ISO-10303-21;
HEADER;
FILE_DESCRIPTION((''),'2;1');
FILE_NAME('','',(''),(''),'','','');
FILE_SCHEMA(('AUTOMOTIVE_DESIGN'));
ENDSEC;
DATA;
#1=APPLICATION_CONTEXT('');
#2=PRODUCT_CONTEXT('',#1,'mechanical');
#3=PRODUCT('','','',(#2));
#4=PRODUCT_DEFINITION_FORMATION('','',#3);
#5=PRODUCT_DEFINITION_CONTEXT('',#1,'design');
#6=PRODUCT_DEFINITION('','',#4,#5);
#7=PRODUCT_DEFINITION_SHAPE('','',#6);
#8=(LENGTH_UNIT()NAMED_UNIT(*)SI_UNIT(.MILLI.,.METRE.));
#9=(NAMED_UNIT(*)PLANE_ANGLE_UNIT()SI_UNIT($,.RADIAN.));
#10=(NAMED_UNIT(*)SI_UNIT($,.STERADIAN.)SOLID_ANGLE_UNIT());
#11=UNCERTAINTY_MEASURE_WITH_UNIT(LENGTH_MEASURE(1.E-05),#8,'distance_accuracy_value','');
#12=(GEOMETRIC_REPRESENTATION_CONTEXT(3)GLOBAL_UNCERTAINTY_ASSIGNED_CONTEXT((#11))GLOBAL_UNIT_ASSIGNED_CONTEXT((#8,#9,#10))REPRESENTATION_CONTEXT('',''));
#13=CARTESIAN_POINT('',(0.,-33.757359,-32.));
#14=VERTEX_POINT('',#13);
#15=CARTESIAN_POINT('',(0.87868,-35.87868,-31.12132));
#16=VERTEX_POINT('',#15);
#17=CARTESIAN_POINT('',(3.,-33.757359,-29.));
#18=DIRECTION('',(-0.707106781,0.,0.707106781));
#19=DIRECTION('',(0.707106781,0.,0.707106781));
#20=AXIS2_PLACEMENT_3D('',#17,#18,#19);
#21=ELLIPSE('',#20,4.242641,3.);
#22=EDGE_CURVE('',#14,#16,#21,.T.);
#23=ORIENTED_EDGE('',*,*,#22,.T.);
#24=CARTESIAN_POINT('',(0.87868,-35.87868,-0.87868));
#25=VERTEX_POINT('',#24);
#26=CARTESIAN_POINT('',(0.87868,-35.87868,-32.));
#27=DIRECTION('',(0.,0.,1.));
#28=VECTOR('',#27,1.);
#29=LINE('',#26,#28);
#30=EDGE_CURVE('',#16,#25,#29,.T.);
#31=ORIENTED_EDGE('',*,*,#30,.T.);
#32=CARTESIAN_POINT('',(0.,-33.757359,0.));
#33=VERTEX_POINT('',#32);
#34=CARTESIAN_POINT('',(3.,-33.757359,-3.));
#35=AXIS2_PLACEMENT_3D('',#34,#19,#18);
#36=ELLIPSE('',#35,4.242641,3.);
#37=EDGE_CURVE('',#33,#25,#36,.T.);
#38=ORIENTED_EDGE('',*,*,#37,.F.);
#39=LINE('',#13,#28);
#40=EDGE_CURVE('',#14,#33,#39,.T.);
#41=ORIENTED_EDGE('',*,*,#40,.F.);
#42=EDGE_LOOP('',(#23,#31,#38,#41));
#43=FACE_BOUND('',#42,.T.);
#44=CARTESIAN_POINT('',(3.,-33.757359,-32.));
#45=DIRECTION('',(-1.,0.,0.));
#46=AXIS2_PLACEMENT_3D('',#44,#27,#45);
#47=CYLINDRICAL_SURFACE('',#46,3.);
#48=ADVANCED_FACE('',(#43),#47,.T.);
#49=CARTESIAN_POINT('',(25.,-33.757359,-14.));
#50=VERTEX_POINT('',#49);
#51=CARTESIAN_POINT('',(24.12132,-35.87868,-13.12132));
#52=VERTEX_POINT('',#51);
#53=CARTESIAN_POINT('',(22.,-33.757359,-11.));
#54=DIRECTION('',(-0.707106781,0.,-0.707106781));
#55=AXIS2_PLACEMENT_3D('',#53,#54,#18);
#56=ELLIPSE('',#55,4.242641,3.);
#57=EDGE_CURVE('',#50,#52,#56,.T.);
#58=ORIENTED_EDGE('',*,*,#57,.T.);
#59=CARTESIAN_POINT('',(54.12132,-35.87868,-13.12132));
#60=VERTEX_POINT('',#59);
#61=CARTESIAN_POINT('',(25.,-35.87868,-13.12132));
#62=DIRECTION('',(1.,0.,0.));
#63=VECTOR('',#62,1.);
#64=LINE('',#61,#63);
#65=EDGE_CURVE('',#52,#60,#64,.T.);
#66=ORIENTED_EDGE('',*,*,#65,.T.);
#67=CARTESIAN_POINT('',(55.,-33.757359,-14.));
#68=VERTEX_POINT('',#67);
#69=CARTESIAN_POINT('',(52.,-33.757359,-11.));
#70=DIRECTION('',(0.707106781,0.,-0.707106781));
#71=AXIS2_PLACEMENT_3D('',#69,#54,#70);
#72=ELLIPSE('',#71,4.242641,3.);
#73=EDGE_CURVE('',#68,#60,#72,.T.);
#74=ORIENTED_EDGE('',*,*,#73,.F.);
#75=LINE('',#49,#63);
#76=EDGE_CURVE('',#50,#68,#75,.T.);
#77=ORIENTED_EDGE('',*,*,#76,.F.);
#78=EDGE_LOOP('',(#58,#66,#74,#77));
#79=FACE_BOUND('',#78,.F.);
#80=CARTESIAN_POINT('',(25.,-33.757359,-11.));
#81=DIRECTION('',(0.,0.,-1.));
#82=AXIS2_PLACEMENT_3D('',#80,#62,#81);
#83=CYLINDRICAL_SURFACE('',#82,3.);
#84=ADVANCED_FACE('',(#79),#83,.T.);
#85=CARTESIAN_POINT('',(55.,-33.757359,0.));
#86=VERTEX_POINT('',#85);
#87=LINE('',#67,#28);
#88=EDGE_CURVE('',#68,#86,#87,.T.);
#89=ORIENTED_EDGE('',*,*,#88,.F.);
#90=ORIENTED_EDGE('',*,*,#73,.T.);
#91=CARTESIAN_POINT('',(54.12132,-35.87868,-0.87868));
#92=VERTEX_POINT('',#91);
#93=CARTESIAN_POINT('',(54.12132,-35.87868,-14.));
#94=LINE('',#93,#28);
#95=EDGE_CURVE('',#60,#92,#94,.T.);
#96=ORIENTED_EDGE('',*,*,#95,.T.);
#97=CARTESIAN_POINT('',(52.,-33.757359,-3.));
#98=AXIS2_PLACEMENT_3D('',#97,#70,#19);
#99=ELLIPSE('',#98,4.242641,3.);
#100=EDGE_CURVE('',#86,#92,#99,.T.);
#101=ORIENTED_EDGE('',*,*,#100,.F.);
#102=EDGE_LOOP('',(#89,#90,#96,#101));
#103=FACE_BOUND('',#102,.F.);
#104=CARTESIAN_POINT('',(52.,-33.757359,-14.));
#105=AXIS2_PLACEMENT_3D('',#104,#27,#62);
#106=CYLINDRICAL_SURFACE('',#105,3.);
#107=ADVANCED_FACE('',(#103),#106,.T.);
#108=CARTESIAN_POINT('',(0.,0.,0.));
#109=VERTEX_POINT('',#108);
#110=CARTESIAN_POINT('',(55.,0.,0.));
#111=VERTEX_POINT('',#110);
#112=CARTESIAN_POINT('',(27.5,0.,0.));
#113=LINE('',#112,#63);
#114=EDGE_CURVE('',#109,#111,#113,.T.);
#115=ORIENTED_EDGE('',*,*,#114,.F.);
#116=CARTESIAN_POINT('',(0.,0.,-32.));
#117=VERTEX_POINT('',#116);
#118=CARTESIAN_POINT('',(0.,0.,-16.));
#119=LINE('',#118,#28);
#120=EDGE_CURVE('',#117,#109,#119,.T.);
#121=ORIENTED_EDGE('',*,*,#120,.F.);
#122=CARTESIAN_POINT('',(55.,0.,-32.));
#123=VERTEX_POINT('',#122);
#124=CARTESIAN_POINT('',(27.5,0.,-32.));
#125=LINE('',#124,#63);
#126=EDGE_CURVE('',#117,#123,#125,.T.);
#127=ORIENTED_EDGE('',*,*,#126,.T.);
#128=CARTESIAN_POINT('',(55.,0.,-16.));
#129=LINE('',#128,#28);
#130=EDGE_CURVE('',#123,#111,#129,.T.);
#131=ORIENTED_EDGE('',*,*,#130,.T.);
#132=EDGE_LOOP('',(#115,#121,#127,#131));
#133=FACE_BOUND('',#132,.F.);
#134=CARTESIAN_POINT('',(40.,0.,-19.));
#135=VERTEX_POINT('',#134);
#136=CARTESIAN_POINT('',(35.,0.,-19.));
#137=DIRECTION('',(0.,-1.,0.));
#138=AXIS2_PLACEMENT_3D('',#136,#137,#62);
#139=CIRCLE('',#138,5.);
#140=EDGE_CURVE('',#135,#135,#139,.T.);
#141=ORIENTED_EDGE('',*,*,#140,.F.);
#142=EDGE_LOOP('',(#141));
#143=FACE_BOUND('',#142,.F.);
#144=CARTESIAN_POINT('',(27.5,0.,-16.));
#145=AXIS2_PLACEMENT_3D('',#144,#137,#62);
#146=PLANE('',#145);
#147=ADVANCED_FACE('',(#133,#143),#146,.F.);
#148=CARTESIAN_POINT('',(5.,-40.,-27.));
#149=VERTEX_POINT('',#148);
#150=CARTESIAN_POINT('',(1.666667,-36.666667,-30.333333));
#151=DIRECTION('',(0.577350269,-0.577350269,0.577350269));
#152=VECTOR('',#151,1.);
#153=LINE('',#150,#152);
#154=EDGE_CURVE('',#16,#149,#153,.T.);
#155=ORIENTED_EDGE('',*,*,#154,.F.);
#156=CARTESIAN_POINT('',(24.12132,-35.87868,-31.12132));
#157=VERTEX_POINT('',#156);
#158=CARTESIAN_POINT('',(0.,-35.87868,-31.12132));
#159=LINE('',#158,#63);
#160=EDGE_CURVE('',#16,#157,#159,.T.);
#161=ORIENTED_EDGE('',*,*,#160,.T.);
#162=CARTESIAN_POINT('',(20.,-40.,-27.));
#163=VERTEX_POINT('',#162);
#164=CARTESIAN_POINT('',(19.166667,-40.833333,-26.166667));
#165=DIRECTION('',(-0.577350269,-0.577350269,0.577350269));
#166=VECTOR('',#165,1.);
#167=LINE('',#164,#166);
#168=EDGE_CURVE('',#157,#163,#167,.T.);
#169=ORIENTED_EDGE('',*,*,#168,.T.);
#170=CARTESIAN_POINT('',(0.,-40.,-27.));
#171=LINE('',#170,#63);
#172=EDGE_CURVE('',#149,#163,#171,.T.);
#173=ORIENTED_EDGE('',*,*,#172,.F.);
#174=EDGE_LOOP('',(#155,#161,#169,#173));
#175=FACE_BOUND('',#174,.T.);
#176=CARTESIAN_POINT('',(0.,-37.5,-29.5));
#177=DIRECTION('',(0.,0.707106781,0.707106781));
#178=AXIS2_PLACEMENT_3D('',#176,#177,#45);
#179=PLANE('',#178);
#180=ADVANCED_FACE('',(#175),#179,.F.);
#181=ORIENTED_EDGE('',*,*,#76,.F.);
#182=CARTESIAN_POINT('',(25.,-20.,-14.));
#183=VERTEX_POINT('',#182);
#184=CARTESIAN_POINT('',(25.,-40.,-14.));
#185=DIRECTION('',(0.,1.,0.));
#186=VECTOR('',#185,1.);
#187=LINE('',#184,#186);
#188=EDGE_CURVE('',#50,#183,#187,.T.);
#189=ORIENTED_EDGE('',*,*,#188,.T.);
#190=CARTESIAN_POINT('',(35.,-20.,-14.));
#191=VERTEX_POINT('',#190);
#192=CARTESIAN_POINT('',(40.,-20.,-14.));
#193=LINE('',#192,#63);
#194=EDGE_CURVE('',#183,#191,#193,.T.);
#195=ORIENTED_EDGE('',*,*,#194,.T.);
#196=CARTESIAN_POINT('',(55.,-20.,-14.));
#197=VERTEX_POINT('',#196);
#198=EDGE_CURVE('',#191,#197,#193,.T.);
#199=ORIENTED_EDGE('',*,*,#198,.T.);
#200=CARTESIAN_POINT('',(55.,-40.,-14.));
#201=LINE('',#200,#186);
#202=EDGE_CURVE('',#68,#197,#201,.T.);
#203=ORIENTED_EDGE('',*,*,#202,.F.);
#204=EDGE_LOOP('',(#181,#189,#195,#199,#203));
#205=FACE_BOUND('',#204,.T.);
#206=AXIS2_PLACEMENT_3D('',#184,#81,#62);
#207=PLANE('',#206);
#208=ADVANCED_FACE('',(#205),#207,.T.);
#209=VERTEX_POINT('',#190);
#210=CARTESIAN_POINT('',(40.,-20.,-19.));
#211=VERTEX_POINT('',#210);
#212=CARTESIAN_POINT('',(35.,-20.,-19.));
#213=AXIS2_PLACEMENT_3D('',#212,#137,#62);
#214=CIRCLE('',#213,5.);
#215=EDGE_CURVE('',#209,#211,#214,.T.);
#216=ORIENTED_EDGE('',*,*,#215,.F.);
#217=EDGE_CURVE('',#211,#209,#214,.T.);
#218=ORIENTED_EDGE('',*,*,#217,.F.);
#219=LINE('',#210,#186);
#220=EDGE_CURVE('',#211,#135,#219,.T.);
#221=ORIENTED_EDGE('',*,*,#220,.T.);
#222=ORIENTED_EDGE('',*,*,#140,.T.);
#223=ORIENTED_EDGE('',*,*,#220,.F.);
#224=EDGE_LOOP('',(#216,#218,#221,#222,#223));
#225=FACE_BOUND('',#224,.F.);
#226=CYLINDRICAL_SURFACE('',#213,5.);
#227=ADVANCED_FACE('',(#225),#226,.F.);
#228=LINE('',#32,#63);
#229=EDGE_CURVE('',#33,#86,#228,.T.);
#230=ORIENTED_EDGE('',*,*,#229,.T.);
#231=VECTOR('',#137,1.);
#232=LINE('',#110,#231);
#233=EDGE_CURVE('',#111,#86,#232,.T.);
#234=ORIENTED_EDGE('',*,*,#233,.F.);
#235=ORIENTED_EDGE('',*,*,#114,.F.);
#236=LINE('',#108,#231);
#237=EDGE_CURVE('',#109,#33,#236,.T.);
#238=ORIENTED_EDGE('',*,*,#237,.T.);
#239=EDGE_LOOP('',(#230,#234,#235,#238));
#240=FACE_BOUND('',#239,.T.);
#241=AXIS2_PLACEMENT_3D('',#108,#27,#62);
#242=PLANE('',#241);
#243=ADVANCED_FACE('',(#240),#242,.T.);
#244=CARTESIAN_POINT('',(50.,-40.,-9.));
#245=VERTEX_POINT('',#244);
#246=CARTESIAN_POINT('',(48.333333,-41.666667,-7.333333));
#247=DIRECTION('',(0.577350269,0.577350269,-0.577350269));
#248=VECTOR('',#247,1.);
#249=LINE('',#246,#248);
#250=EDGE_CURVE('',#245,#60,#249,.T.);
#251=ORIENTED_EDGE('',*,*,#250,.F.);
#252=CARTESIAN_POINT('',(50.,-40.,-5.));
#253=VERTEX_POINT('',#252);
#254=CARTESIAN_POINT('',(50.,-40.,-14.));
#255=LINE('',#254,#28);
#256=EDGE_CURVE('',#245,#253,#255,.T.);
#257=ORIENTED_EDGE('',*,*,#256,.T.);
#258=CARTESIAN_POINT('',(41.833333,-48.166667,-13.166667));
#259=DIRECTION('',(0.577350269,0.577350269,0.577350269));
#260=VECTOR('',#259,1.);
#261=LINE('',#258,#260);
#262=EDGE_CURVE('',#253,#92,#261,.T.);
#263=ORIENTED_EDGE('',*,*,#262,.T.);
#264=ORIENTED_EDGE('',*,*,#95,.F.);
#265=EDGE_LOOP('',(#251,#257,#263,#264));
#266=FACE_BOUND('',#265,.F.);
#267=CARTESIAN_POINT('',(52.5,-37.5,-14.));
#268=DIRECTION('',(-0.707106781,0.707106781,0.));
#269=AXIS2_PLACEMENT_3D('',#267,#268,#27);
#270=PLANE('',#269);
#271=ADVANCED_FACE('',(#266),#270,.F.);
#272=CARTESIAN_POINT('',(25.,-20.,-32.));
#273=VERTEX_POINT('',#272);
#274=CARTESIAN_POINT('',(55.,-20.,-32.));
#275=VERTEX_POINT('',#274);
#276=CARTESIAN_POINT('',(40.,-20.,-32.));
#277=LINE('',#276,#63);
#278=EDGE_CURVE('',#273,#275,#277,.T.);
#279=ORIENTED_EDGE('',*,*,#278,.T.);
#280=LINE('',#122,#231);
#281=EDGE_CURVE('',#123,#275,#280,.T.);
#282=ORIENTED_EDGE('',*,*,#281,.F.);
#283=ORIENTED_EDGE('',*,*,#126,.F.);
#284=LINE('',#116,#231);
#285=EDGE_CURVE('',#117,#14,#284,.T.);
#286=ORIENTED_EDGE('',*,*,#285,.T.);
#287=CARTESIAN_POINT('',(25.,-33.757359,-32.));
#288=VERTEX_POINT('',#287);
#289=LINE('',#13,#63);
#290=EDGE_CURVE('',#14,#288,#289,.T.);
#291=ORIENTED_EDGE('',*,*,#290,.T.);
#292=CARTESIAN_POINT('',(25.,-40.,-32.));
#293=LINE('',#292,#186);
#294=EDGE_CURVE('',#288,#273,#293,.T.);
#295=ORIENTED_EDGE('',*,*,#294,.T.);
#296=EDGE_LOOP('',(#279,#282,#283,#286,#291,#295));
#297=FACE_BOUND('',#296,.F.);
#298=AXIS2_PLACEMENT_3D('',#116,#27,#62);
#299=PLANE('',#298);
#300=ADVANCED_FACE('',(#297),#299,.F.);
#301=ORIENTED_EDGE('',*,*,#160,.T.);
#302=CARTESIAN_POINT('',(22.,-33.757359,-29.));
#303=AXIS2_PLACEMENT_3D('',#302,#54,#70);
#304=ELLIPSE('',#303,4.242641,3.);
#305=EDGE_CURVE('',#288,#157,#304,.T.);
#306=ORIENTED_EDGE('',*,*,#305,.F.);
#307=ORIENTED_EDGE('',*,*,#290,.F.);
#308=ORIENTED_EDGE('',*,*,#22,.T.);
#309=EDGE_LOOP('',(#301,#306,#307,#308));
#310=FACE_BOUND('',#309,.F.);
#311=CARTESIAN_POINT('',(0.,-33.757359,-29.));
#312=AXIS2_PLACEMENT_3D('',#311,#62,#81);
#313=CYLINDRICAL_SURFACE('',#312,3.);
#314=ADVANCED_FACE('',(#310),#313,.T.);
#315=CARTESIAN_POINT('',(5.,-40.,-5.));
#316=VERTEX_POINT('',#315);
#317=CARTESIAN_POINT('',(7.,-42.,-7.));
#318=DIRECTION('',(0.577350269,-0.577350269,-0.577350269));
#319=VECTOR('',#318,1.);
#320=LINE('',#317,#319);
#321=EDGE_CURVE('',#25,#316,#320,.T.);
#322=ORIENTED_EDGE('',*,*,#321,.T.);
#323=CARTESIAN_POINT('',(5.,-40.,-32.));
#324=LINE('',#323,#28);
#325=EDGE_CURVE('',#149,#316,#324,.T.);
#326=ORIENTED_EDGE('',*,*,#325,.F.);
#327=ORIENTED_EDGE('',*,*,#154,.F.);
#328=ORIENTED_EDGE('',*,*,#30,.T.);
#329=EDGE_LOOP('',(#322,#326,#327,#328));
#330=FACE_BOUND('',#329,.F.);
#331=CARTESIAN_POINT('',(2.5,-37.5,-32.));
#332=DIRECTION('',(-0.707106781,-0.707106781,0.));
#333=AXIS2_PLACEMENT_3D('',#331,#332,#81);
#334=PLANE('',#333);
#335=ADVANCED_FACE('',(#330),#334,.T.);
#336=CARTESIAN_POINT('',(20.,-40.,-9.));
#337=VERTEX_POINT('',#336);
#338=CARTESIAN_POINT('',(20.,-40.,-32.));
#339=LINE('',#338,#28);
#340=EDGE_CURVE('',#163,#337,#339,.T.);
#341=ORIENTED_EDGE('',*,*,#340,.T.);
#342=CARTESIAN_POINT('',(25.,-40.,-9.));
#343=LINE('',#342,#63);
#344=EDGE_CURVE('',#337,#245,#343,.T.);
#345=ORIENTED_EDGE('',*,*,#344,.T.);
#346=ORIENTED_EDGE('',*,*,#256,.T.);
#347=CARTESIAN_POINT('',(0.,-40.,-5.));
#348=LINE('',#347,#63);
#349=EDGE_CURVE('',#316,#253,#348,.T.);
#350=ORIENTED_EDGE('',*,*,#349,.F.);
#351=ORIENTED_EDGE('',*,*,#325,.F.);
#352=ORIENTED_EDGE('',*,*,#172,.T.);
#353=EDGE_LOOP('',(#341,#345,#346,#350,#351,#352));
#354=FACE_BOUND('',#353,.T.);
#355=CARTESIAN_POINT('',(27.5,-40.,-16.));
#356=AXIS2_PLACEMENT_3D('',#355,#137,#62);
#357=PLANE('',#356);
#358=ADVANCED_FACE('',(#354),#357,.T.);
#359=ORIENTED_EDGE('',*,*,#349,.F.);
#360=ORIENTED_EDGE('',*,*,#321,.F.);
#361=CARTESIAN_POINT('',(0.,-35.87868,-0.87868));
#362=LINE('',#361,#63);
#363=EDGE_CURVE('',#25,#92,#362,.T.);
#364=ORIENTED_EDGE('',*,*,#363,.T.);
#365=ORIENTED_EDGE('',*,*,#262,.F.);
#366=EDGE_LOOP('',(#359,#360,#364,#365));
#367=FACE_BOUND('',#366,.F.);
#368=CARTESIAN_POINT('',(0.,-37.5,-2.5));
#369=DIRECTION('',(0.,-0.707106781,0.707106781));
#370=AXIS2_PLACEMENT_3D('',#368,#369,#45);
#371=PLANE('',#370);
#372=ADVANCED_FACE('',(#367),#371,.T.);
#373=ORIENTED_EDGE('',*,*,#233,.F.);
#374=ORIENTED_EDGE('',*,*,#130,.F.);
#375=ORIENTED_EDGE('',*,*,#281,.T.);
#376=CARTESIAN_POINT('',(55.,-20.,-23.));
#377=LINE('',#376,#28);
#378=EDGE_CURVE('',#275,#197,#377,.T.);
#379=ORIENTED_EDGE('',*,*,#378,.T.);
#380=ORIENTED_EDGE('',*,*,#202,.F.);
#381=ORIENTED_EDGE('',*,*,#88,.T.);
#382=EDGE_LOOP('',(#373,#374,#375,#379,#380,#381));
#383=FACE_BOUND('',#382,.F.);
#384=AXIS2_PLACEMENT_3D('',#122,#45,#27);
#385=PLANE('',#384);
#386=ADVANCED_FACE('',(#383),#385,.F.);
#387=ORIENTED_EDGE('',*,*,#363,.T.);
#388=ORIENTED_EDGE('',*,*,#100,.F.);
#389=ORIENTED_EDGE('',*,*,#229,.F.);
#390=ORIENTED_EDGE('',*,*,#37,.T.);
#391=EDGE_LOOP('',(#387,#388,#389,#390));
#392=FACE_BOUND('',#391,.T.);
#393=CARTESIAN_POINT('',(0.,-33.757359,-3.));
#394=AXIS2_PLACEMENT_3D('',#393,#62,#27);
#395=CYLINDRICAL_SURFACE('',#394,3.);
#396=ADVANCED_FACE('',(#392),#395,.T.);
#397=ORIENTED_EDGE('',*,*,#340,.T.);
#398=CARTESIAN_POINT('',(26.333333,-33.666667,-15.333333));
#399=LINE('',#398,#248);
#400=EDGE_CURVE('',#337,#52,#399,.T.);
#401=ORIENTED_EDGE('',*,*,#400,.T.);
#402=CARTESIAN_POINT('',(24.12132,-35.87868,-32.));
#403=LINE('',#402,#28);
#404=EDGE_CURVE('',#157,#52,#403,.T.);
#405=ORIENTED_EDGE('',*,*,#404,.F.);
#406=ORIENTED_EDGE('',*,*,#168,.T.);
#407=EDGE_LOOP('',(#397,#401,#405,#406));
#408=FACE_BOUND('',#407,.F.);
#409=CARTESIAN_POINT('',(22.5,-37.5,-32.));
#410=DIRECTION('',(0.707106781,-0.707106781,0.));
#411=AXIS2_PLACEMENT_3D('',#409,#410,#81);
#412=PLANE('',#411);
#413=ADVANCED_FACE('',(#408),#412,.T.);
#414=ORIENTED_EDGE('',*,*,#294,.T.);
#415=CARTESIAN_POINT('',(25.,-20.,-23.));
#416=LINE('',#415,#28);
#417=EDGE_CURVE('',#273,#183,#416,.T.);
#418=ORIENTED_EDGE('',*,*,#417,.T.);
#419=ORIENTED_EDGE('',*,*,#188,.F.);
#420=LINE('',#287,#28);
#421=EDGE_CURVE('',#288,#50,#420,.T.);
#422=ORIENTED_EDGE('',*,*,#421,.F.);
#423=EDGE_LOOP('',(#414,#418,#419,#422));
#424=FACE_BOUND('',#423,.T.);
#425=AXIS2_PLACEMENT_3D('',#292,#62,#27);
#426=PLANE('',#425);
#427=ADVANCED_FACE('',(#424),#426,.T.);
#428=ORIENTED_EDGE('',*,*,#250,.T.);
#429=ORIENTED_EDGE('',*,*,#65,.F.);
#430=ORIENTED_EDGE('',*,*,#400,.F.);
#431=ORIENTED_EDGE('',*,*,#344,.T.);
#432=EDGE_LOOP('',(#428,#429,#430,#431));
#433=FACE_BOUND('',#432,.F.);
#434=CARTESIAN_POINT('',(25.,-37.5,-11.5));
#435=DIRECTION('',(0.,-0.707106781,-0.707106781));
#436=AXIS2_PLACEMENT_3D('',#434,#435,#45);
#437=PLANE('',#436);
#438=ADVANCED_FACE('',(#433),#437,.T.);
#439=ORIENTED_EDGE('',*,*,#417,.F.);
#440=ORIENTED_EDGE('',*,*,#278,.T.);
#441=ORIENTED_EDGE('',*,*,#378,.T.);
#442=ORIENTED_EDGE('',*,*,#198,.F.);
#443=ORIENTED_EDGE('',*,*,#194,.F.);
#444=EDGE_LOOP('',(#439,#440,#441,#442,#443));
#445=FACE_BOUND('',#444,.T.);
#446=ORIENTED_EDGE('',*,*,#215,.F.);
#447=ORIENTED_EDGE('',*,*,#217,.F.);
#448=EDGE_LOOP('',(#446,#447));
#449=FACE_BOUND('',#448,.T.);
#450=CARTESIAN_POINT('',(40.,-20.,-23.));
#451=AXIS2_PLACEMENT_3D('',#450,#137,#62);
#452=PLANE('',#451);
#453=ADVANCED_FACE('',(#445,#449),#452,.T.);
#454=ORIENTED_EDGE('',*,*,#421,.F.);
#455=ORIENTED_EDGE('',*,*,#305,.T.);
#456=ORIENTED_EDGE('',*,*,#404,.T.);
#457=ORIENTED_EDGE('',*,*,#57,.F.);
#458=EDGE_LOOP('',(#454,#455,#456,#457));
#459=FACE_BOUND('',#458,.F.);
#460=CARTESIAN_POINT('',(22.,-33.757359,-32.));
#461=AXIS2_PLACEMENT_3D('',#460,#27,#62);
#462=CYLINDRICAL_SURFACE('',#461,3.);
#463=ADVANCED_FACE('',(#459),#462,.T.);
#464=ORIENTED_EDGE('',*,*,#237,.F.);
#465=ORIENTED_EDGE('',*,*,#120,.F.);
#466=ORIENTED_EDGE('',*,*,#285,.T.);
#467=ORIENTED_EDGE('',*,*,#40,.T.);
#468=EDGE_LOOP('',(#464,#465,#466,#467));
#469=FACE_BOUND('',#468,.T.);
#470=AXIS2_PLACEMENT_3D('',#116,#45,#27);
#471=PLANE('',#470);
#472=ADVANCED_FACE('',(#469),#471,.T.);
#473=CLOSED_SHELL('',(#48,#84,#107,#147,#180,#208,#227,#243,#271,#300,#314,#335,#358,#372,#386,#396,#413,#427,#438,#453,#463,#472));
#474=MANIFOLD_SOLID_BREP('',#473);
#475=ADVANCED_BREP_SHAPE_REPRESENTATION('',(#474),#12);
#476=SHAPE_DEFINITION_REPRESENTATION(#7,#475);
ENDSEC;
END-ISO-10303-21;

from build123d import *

# Parameters (mm, degrees)
F0_W     = 55
F0_H     = 32
F1_DEPTH = 40
F2_W     = 30
F2_H     = 18
F3_DEPTH = 20
F4_W     = 30
F4_H     = 18
F5_DEPTH = 20
F6_R     = 5
F7_DEPTH = 20.001
F8_SIZE  = 5
F9_R     = 3


with BuildPart() as f1:
    # F0 (on Front) → F1 (new body)
    with BuildSketch(Plane.XZ):
        with Locations((27.5, -16)):
            Rectangle(F0_W, F0_H)
    extrude(amount=F1_DEPTH)

    # F2 (on Front) → F3 (cut)
    with BuildSketch(Plane.XZ):
        with Locations((35.8558194712, -20.2440911922)):
            Rectangle(F2_W, F2_H)
    extrude(amount=-F3_DEPTH, mode=Mode.SUBTRACT)

    # F4 (on face) → F5 (cut)
    with BuildSketch(Plane.XZ.offset(40)):
        with Locations((40, -23)):
            Rectangle(F4_W, F4_H)
    extrude(amount=-F5_DEPTH, mode=Mode.SUBTRACT)

    # F6 (on face) → F7 (cut, through all)
    with BuildSketch(Plane.XZ.offset(20)):
        with Locations((35, -19)):
            Circle(F6_R)
    extrude(amount=-F7_DEPTH, mode=Mode.SUBTRACT)

    # F8
    f8_edges = [f1.edges().sort_by_distance(p)[0] for p in [
        (12.5, -40, -32),
        (25, -40, -23),
        (40, -40, -14),
        (55, -40, -7),
        (0, -40, -16),
        (27.5, -40, 0),
    ]]
    chamfer(f8_edges, length=F8_SIZE)

    # F9
    f9_edges = [f1.edges().sort_by_distance(p)[0] for p in [
        (0, -35, -16),
        (12.5, -35, -32),
        (25, -35, -23),
        (40, -35, -14),
        (55, -35, -7),
        (27.5, -35, 0),
    ]]
    fillet(f9_edges, radius=F9_R)


solid = f1.part
